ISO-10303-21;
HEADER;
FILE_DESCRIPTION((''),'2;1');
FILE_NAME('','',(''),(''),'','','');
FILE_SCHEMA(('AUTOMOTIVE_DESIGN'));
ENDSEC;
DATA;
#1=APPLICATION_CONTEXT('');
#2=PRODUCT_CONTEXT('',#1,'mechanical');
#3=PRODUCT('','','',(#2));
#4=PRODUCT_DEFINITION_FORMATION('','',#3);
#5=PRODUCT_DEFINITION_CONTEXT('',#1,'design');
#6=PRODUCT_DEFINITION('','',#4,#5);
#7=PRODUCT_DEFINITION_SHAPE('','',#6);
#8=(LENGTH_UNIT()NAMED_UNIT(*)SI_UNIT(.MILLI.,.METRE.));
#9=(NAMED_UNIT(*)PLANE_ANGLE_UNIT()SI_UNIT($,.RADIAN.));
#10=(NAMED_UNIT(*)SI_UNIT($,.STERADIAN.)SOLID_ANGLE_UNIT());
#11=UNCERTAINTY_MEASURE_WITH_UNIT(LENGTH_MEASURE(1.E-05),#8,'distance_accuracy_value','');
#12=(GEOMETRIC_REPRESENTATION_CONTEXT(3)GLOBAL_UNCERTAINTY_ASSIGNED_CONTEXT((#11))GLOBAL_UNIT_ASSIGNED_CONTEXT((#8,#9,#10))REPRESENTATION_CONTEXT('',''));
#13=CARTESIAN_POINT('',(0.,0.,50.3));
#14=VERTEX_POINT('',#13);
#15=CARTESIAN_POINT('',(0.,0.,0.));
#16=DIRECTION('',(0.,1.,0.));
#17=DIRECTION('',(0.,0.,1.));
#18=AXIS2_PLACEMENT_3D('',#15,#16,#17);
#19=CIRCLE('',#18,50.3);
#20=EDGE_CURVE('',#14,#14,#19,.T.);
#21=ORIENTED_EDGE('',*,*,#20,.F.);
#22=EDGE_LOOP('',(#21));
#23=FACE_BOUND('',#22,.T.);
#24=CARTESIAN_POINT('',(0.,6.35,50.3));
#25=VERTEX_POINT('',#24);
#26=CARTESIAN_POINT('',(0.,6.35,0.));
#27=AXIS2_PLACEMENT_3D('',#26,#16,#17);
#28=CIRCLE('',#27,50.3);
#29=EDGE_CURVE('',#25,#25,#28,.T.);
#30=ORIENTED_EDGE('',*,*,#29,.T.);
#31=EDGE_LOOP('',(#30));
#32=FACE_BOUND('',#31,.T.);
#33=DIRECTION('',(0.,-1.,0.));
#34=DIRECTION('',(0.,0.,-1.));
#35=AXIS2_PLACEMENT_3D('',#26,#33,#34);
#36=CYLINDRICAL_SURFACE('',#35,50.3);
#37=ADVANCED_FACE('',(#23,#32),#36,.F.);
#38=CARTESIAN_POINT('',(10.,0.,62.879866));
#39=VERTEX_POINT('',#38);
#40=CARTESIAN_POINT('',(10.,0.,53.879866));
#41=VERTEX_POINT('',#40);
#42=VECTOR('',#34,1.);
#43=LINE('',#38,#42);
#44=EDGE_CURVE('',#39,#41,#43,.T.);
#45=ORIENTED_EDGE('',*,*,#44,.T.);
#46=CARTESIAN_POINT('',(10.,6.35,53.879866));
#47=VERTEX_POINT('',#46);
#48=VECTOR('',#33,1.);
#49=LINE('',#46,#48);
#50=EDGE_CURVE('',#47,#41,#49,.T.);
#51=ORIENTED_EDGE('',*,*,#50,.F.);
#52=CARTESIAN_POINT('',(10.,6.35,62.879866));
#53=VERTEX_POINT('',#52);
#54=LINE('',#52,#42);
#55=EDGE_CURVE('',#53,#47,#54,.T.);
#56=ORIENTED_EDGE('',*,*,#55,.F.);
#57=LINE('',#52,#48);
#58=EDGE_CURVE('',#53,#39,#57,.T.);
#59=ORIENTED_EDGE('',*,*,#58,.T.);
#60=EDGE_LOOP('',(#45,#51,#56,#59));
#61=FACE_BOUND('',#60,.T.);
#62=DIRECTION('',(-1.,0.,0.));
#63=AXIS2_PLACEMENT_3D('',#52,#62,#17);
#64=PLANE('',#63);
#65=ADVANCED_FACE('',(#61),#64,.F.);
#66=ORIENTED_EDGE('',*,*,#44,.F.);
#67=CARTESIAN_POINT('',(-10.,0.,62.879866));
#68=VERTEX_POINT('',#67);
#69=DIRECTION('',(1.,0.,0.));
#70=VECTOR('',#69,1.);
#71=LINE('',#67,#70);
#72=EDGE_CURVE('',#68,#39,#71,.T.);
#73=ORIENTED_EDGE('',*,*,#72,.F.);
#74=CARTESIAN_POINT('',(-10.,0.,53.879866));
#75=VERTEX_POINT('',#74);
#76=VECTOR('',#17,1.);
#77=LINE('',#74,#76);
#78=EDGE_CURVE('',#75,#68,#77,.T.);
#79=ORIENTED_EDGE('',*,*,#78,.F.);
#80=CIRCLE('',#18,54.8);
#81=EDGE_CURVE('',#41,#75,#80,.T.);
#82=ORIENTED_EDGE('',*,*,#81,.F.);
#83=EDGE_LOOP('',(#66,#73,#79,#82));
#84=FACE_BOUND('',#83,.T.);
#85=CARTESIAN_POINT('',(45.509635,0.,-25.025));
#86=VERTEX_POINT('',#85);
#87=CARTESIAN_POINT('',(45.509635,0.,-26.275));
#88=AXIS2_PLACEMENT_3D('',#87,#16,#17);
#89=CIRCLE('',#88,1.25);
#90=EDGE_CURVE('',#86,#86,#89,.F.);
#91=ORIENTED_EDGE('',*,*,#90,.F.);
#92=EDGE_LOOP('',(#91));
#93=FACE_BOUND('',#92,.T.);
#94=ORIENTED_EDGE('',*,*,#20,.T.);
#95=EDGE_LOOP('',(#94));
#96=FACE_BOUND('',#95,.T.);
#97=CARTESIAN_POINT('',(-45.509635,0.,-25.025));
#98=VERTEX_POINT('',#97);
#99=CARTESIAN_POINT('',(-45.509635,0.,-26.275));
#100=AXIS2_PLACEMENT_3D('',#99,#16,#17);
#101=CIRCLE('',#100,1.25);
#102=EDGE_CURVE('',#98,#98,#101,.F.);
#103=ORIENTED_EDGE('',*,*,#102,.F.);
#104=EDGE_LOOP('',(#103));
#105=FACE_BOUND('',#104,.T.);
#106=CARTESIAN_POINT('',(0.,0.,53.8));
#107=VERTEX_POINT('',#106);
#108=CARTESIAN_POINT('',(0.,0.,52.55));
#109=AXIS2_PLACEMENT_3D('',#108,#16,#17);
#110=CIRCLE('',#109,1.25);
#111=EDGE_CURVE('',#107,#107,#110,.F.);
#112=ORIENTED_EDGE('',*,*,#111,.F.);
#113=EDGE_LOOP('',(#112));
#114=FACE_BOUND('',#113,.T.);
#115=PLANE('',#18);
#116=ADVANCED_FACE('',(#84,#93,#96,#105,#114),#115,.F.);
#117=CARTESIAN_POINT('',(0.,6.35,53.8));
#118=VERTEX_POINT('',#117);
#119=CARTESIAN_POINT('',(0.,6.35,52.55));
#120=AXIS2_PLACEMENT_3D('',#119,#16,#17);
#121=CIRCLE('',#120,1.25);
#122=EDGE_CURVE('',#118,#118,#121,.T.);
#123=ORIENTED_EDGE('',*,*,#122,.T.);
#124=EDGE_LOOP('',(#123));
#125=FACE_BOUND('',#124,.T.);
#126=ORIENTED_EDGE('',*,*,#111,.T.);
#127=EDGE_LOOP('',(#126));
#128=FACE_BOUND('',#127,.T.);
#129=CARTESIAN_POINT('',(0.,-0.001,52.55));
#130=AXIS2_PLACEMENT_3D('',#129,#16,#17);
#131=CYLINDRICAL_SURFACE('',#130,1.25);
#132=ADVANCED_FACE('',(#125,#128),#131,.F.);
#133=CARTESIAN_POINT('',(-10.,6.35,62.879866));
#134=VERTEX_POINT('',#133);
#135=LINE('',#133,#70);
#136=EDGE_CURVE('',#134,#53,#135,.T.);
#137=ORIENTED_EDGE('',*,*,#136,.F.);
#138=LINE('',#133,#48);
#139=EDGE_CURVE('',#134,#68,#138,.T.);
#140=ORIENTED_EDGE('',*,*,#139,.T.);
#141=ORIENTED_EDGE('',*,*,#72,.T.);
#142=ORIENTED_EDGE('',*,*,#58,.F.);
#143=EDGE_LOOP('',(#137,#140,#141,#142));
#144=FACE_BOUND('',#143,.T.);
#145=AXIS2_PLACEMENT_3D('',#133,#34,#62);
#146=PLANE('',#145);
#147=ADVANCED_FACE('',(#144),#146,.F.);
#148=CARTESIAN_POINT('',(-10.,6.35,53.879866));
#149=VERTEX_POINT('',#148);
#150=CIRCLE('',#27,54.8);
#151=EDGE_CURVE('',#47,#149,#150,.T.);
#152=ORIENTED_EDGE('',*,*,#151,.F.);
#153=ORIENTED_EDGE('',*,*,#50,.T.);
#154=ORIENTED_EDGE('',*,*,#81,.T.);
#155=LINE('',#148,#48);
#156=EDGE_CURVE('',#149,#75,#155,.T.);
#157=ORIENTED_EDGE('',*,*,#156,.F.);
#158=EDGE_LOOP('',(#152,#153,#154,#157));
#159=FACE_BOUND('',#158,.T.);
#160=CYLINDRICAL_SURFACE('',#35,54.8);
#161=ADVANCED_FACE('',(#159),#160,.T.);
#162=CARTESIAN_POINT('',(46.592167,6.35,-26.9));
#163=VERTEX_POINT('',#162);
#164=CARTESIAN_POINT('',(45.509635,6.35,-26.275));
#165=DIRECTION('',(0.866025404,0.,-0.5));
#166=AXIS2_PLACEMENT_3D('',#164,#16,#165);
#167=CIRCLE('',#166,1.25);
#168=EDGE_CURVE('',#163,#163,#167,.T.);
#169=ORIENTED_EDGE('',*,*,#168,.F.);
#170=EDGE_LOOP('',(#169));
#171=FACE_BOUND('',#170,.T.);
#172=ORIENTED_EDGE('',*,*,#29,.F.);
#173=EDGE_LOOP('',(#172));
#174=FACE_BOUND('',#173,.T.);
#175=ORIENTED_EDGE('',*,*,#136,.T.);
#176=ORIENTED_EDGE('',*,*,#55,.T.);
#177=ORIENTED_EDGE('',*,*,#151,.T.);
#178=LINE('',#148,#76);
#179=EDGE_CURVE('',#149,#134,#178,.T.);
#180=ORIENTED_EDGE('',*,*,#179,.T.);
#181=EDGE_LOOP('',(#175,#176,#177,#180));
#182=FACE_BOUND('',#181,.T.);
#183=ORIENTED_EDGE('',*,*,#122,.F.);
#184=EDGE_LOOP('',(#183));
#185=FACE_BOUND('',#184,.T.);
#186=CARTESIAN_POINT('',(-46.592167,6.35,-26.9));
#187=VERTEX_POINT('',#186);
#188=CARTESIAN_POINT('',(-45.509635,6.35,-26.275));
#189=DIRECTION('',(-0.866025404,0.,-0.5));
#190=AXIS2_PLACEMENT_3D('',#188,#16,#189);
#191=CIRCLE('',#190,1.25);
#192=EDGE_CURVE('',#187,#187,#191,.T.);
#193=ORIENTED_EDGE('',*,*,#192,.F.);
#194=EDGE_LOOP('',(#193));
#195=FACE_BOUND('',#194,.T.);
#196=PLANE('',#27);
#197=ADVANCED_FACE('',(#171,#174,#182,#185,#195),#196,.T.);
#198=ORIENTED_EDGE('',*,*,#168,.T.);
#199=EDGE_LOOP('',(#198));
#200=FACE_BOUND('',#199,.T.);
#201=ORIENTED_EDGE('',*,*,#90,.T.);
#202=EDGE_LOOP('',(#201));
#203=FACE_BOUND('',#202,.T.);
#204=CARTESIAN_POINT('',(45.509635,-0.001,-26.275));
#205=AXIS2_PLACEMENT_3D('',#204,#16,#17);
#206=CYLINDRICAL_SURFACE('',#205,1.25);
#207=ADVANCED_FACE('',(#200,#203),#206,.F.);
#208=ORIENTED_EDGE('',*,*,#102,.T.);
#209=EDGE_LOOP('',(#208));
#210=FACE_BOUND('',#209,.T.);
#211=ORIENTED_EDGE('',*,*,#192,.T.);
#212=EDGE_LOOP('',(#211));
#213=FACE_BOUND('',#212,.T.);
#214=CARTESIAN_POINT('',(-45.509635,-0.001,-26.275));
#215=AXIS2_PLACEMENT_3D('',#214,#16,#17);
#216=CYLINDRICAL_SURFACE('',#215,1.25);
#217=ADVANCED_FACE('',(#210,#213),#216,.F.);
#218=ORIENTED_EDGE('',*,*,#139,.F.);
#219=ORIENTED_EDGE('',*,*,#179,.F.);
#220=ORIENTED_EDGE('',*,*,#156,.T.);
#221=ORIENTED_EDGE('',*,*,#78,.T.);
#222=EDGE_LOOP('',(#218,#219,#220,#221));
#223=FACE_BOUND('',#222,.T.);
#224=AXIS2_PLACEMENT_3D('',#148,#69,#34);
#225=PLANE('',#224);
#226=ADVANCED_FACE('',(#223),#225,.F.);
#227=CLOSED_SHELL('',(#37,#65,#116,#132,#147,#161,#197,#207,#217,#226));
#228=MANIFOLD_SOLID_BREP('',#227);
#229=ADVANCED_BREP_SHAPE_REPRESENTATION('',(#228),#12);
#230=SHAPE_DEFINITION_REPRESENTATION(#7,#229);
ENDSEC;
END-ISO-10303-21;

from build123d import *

# Parameters (mm, degrees)
SKETCH1_R           = 50.3
BOSS_EXTRUDE1_DEPTH = 6.35
CUT_EXTRUDE1_REACH  = 85.65
SKETCH2_R           = 1.25
CIRPATTERN1_COUNT   = 3


with BuildPart() as part:
    # Sketch1 → Boss-Extrude1 (new body)
    with BuildSketch(Plane(origin=(0, 0, 0), x_dir=(1, 0, 0), z_dir=(0, 1, 0))):
        with BuildLine():
            Line((-10, -53.87986637), (-10, -62.87986637))
            Line((-10, -62.87986637), (10, -62.87986637))
            Line((10, -62.87986637), (10, -53.87986637))
            ThreePointArc((10, -53.87986637), (0, 54.8), (-10, -53.87986637))
        make_face()
        with Locations(Location((0, 0, 0), (0, 0, 270))):
            Circle(SKETCH1_R, mode=Mode.SUBTRACT)
    extrude(amount=BOSS_EXTRUDE1_DEPTH)

    # Sketch2 → Cut-Extrude1 (cut, up to next)
    with BuildSketch(Plane(origin=(0, 6.35, 0), x_dir=(1, 0, 0), z_dir=(0, 1, 0)), mode=Mode.PRIVATE) as cut_extrude1_sk1:
        with Locations(Location((0, -52.55, 0), (0, 0, 270))):
            Circle(SKETCH2_R)
    cut_extrude1_tool1 = extrude(cut_extrude1_sk1.sketch, amount=-CUT_EXTRUDE1_REACH, mode=Mode.PRIVATE) & part.part
    cut_extrude1 = cut_extrude1_tool1.solids().sort_by_distance((0, 6.35, 52.55))[0]
    add(cut_extrude1, mode=Mode.SUBTRACT)

    # CirPattern1: Cut-Extrude1 ×3 about axis
    cirpattern1_axis = Axis((0, 0, 0), (0, 1, 0))
    for i in range(1, CIRPATTERN1_COUNT):
        add(cut_extrude1.rotate(cirpattern1_axis, i * 360 / CIRPATTERN1_COUNT), mode=Mode.SUBTRACT)


solid = part.part
